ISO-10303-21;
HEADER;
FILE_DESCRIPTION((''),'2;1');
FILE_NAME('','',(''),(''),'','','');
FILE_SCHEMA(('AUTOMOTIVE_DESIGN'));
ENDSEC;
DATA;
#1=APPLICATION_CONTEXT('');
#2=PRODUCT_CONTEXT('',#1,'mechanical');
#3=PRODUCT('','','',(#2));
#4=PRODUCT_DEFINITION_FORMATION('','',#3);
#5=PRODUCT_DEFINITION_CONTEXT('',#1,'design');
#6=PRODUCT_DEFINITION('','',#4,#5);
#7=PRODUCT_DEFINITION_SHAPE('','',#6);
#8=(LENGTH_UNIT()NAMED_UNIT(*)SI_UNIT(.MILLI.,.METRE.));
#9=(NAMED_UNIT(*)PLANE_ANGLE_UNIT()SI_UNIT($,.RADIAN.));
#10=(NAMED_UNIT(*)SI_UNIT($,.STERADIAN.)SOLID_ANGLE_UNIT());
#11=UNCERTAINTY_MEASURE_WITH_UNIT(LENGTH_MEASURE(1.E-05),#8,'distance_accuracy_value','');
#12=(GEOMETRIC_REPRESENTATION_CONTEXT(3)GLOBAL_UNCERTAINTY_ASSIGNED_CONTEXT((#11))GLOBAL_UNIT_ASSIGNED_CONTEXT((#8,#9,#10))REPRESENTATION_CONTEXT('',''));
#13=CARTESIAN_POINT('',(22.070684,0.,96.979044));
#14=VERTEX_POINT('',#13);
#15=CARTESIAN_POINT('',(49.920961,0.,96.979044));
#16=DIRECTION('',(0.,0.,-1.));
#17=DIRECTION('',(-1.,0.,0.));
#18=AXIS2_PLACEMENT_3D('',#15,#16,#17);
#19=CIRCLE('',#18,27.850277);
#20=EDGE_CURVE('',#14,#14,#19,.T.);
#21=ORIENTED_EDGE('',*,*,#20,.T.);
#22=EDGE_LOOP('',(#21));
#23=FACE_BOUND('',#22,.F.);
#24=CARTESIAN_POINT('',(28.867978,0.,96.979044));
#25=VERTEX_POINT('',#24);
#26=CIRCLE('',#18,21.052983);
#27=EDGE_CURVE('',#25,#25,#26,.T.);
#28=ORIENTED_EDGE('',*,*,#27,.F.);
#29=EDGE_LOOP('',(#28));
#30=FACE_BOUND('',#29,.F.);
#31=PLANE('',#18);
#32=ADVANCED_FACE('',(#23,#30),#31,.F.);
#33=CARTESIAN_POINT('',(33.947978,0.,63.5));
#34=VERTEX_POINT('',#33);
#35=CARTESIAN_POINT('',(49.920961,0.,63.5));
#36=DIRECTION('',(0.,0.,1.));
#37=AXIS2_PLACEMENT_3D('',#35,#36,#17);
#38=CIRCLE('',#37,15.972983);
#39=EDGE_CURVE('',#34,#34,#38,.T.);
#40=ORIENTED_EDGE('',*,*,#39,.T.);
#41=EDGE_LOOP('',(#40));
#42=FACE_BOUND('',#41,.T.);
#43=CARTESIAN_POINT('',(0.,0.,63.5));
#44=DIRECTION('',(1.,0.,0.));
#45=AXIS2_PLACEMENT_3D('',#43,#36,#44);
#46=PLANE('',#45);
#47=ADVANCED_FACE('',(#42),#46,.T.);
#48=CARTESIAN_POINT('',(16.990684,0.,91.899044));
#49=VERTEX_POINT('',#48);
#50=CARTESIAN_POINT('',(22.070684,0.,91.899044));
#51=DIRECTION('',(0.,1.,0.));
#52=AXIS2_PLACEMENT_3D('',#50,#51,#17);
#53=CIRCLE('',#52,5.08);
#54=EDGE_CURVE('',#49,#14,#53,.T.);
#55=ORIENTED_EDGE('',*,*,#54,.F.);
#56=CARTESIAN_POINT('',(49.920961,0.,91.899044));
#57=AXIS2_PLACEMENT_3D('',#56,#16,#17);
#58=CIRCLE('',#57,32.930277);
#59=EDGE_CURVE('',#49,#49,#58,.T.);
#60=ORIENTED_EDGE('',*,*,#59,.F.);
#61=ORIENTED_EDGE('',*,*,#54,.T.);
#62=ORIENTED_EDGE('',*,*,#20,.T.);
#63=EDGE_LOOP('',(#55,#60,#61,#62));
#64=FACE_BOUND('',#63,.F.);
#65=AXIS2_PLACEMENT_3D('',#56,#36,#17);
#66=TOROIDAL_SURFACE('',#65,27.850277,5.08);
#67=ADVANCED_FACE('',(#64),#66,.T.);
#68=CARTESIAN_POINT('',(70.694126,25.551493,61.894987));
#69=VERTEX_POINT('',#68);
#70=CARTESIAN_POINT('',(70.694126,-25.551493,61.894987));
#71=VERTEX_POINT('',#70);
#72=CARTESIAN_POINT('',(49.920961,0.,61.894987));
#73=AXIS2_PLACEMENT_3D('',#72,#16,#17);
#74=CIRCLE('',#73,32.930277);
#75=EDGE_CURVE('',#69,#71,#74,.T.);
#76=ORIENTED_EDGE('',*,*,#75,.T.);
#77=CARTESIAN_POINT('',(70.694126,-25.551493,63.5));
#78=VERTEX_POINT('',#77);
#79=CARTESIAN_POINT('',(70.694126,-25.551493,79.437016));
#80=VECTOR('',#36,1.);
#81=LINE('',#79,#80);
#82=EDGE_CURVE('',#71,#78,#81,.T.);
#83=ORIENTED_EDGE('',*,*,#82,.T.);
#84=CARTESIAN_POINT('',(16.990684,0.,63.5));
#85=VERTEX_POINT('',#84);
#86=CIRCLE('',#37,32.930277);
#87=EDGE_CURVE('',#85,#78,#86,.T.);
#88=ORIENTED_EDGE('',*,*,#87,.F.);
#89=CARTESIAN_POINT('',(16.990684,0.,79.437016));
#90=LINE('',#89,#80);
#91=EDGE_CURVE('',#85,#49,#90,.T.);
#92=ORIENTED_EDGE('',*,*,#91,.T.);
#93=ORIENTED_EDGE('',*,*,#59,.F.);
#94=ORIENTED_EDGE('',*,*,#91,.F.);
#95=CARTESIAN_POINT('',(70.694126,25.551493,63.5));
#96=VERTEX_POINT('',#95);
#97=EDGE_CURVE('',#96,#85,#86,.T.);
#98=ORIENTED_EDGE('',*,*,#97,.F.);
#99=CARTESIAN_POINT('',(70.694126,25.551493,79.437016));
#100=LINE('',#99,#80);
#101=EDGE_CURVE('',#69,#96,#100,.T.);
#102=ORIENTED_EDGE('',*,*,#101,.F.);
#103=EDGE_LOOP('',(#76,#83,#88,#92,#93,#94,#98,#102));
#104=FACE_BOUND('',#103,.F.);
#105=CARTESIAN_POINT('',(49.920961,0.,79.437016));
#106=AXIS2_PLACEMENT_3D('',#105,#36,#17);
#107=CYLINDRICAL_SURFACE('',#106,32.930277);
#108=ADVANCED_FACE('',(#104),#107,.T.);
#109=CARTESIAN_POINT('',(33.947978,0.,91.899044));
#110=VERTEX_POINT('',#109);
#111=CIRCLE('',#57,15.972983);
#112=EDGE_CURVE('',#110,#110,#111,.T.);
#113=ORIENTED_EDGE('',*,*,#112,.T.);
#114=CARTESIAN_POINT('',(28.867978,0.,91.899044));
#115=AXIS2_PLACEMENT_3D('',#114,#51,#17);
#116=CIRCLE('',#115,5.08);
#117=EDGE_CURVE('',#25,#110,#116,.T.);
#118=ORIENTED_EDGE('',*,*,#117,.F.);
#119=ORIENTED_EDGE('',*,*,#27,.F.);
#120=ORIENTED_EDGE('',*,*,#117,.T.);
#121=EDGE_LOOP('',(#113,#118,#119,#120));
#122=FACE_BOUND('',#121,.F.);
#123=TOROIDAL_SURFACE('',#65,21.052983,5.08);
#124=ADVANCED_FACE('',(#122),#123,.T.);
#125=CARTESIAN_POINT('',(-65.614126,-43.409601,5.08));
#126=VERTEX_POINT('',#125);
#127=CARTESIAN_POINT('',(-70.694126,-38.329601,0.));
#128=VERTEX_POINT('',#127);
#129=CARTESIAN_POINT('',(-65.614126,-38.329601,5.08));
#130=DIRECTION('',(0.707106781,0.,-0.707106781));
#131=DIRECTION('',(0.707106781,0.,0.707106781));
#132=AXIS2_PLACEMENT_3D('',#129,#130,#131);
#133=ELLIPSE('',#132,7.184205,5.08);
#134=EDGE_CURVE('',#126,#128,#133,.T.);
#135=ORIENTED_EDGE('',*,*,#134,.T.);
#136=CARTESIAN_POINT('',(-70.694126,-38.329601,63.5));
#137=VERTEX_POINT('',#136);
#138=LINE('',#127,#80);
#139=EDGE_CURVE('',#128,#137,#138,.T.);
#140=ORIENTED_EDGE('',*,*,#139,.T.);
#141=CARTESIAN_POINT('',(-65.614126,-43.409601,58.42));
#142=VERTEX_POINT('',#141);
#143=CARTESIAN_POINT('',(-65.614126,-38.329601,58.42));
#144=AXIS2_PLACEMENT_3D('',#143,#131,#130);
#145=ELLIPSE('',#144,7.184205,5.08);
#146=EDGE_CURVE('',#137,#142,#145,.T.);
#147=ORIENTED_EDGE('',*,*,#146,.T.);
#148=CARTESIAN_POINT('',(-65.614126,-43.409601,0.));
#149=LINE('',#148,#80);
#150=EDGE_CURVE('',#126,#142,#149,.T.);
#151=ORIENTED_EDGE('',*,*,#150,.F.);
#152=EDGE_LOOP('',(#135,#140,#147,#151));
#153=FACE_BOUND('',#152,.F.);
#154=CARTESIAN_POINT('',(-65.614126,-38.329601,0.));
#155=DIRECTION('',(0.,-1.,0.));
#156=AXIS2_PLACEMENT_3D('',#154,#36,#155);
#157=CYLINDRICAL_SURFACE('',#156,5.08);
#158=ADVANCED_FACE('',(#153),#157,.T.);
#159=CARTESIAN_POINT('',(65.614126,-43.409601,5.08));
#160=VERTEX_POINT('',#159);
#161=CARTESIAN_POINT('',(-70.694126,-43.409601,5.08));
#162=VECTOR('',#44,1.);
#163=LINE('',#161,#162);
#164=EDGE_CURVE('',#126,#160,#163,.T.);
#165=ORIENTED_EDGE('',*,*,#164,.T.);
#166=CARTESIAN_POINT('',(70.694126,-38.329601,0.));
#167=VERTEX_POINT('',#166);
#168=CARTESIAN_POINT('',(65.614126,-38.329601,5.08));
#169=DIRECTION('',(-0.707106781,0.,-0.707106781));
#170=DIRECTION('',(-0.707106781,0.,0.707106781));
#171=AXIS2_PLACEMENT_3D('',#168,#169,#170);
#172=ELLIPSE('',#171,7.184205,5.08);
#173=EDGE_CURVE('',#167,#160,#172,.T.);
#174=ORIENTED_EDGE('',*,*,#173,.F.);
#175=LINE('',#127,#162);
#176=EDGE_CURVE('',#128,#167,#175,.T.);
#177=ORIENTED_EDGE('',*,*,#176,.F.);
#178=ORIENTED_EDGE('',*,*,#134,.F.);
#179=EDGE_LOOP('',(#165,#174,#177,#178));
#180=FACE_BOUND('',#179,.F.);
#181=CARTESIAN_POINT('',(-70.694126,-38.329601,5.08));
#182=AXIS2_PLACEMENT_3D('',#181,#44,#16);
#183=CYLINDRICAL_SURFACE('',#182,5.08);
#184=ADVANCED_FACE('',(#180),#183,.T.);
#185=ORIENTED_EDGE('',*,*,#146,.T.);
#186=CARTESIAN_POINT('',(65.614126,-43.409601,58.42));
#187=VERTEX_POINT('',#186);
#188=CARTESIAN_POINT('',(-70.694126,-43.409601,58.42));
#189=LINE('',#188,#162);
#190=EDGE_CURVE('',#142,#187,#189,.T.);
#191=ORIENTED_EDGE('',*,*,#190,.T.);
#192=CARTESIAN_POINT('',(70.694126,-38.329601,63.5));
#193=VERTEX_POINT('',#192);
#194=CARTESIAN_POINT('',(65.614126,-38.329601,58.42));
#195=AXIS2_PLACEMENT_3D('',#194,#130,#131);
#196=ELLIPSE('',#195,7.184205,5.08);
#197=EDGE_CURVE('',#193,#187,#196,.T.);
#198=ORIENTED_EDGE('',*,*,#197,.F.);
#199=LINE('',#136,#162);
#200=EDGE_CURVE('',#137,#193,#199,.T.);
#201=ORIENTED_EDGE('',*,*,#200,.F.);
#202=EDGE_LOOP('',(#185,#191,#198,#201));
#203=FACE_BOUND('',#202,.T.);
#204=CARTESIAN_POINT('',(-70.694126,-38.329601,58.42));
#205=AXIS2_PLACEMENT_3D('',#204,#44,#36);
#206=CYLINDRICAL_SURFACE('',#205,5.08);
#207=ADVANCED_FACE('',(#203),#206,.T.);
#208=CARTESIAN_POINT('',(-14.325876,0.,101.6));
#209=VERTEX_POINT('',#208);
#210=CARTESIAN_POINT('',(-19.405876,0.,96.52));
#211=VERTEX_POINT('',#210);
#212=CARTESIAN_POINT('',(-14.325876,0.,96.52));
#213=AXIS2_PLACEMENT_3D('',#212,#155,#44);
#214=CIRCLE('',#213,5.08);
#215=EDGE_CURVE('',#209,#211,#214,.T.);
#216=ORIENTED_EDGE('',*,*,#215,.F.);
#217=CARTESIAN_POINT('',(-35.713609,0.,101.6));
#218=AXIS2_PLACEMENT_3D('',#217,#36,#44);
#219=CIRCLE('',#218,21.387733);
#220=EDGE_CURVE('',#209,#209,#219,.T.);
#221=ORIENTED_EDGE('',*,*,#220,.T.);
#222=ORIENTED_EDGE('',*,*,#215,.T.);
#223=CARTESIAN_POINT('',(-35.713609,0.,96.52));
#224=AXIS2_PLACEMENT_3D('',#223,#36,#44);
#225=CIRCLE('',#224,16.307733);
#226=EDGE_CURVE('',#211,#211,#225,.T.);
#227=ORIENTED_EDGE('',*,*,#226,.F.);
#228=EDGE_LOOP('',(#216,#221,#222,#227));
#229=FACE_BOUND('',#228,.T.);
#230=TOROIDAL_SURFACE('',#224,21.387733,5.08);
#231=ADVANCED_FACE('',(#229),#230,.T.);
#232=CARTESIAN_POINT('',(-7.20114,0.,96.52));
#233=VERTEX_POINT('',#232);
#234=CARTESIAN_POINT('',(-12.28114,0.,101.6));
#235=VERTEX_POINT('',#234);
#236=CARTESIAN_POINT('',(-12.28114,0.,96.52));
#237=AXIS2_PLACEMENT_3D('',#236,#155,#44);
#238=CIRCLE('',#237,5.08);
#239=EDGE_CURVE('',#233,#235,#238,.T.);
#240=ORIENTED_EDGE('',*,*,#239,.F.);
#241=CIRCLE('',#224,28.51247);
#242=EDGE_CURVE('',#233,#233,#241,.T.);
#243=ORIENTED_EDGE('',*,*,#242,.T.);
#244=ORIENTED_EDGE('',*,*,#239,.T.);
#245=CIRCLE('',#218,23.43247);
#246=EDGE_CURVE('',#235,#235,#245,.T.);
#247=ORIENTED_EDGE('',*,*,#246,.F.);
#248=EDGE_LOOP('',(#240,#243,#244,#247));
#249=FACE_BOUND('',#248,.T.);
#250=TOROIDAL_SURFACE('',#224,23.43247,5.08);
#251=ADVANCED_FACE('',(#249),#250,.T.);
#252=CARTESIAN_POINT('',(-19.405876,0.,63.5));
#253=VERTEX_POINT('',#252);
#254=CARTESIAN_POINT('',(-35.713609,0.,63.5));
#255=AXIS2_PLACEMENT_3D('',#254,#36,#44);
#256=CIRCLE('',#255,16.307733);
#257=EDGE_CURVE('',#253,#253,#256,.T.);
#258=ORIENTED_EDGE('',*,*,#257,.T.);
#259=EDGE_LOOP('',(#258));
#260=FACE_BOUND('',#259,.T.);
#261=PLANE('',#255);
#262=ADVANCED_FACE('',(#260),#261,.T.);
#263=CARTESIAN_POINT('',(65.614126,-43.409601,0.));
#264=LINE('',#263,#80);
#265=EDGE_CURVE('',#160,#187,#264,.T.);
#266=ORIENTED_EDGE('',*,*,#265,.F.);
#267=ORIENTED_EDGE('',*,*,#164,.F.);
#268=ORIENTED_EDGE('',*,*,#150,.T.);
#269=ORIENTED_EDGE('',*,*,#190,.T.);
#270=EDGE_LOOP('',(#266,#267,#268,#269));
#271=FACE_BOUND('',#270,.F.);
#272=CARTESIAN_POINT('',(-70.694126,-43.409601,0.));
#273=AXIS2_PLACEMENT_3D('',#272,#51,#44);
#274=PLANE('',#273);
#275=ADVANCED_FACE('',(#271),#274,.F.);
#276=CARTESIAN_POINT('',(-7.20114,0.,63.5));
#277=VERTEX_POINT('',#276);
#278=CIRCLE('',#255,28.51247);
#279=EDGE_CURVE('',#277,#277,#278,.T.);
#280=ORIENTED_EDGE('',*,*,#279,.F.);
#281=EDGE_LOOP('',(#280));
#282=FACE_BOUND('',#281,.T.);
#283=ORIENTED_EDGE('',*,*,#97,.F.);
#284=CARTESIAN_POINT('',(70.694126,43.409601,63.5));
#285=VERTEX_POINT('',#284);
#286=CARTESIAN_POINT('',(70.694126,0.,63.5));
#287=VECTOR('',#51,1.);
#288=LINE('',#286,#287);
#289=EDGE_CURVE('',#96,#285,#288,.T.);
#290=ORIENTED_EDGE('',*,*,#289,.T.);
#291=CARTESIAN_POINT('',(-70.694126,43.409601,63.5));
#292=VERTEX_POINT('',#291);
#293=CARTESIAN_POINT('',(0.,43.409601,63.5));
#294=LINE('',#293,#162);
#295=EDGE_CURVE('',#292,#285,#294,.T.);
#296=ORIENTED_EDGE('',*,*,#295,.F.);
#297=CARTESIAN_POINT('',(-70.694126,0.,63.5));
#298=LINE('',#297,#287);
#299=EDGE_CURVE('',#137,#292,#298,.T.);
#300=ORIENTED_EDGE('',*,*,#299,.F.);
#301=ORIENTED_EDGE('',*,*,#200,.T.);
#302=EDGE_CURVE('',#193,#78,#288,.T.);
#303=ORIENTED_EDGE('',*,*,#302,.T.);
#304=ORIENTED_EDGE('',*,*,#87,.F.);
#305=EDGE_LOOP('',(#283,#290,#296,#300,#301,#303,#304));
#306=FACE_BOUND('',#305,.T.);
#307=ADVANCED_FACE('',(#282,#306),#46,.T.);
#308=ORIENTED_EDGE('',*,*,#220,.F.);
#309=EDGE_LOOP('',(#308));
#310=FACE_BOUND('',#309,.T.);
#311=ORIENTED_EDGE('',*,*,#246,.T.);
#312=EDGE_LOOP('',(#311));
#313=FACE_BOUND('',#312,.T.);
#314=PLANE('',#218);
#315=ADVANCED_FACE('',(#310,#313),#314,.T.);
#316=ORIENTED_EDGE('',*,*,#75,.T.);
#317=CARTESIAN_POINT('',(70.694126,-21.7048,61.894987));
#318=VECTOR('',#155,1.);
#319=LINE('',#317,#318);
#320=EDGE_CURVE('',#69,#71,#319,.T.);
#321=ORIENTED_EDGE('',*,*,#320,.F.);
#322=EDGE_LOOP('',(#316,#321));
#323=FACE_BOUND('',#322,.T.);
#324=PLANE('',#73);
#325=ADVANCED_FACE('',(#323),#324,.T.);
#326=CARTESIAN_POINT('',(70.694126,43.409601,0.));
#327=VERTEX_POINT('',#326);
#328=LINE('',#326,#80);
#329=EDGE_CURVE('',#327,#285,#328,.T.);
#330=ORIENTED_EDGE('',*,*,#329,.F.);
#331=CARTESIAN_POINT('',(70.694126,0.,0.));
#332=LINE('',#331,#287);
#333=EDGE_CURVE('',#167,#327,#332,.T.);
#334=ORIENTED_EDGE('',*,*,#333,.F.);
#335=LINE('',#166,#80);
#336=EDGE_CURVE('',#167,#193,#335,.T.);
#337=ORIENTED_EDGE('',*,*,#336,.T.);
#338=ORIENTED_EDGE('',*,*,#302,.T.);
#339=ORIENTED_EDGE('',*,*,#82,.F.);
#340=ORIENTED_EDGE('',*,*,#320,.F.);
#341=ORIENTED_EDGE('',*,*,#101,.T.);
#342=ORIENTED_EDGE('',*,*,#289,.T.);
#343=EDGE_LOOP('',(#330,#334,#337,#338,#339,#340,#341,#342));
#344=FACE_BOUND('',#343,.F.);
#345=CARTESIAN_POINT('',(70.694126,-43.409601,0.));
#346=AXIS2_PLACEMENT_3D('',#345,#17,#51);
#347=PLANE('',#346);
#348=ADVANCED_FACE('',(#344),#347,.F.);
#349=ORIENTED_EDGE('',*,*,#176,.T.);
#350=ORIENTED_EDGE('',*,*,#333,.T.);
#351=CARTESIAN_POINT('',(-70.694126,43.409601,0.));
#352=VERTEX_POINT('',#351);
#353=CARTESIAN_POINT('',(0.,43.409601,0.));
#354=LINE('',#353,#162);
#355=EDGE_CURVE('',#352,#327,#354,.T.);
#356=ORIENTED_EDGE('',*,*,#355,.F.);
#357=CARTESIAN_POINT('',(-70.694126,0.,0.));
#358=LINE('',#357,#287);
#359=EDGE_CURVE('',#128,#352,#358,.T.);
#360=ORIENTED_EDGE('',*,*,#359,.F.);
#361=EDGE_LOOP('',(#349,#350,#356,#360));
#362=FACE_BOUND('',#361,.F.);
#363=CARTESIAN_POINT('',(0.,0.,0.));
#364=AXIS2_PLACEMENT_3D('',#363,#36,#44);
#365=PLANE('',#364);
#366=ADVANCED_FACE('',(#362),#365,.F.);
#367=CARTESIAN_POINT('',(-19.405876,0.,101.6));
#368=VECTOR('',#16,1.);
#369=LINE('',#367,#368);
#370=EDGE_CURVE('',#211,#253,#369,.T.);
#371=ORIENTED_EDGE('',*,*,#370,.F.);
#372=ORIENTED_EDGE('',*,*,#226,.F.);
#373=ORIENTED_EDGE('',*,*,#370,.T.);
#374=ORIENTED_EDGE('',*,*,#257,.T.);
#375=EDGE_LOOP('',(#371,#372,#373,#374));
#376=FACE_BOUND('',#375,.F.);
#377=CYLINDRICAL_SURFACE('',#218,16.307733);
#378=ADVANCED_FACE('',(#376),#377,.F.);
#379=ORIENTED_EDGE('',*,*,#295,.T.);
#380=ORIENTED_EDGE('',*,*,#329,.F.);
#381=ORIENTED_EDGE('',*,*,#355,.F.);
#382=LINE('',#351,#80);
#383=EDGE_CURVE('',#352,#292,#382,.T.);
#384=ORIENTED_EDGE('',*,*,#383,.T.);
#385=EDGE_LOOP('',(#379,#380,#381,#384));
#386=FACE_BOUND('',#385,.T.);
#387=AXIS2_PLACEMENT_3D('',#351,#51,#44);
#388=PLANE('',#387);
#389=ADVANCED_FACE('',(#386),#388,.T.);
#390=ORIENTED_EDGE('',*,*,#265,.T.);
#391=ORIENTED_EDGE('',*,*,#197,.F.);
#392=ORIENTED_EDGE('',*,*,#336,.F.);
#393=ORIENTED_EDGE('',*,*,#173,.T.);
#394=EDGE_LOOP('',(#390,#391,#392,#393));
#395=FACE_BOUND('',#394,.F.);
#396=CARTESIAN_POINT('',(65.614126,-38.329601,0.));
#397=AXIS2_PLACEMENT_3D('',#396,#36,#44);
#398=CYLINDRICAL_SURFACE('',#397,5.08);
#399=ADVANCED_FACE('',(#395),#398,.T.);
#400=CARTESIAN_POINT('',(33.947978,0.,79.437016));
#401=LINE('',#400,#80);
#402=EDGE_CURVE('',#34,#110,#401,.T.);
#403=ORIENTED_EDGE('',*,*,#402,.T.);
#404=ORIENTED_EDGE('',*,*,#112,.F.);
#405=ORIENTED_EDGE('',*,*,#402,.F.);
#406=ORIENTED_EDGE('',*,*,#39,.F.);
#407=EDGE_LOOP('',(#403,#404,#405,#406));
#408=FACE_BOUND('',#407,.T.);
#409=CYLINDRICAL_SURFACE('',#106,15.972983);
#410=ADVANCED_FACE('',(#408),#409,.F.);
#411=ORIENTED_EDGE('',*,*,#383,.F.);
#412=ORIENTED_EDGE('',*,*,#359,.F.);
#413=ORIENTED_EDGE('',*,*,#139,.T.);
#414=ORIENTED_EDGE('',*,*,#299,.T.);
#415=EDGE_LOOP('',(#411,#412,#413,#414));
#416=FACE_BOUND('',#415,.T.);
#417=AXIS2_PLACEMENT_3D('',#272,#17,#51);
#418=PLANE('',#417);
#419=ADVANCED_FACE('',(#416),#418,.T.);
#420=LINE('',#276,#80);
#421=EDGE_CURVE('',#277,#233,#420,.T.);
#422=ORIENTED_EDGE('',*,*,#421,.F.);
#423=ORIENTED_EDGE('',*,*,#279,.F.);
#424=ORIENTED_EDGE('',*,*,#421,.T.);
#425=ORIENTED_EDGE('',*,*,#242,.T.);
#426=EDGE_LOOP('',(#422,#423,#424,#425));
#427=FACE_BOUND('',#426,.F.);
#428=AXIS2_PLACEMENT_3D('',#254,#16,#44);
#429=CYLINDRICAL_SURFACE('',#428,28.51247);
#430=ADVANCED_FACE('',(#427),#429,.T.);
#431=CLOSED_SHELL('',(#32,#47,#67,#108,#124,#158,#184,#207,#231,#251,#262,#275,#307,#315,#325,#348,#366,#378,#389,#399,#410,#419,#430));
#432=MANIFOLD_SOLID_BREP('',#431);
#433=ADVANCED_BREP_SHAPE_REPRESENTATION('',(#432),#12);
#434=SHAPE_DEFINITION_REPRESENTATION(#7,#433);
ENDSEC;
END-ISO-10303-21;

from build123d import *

# Parameters (mm, degrees)
F0_W     = 141.3882523775
F0_H     = 86.8192017078
F1_DEPTH = 63.5
F2_R     = 28.5124697473
F3_DEPTH = 38.1
F4_R     = 16.3077330844
F5_DEPTH = 38.1
F6_W     = 16.9572941959
F6_H     = 35.0840575993
F8_R     = 5.08


with BuildPart() as f1:
    # F0 (on Top) → F1 (new body)
    with BuildSketch(Plane.XY):
        Rectangle(F0_W, F0_H)
    extrude(amount=F1_DEPTH)

    # F2 (on face) → F3 (join)
    with BuildSketch(Plane.XY.offset(63.5)):
        with Locations((-35.713609308, 0)):
            Circle(F2_R)
    extrude(amount=F3_DEPTH)

    # F4 (on face) → F5 (cut, through all)
    with BuildSketch(Plane.XY.offset(101.6)):
        with Locations((-35.713609308, 0)):
            Circle(F4_R)
    extrude(amount=-F5_DEPTH, mode=Mode.SUBTRACT)

    # F6 (on Front) → F7 (revolve)
    with BuildSketch(Plane.XZ):
        with Locations((25.4693310708, 79.4370155782)):
            Rectangle(F6_W, F6_H)
    revolve(axis=Axis((49.9209612608, 0, 63.9768075198), (0, 0, -1)))

    # F8
    f8_edges = [f1.edges().sort_by_distance(p)[0] for p in [
        (82.851239, 0, 96.979044),
        (-64.226079, 0, 101.6),
        (65.893944, 0, 96.979044),
        (0, -43.409601, 63.5),
        (70.694126, -43.409601, 31.75),
        (-70.694126, -43.409601, 31.75),
        (0, -43.409601, 0),
        (-52.021342, 0, 101.6),
    ]]
    fillet(f8_edges, radius=F8_R)


solid = f1.part
